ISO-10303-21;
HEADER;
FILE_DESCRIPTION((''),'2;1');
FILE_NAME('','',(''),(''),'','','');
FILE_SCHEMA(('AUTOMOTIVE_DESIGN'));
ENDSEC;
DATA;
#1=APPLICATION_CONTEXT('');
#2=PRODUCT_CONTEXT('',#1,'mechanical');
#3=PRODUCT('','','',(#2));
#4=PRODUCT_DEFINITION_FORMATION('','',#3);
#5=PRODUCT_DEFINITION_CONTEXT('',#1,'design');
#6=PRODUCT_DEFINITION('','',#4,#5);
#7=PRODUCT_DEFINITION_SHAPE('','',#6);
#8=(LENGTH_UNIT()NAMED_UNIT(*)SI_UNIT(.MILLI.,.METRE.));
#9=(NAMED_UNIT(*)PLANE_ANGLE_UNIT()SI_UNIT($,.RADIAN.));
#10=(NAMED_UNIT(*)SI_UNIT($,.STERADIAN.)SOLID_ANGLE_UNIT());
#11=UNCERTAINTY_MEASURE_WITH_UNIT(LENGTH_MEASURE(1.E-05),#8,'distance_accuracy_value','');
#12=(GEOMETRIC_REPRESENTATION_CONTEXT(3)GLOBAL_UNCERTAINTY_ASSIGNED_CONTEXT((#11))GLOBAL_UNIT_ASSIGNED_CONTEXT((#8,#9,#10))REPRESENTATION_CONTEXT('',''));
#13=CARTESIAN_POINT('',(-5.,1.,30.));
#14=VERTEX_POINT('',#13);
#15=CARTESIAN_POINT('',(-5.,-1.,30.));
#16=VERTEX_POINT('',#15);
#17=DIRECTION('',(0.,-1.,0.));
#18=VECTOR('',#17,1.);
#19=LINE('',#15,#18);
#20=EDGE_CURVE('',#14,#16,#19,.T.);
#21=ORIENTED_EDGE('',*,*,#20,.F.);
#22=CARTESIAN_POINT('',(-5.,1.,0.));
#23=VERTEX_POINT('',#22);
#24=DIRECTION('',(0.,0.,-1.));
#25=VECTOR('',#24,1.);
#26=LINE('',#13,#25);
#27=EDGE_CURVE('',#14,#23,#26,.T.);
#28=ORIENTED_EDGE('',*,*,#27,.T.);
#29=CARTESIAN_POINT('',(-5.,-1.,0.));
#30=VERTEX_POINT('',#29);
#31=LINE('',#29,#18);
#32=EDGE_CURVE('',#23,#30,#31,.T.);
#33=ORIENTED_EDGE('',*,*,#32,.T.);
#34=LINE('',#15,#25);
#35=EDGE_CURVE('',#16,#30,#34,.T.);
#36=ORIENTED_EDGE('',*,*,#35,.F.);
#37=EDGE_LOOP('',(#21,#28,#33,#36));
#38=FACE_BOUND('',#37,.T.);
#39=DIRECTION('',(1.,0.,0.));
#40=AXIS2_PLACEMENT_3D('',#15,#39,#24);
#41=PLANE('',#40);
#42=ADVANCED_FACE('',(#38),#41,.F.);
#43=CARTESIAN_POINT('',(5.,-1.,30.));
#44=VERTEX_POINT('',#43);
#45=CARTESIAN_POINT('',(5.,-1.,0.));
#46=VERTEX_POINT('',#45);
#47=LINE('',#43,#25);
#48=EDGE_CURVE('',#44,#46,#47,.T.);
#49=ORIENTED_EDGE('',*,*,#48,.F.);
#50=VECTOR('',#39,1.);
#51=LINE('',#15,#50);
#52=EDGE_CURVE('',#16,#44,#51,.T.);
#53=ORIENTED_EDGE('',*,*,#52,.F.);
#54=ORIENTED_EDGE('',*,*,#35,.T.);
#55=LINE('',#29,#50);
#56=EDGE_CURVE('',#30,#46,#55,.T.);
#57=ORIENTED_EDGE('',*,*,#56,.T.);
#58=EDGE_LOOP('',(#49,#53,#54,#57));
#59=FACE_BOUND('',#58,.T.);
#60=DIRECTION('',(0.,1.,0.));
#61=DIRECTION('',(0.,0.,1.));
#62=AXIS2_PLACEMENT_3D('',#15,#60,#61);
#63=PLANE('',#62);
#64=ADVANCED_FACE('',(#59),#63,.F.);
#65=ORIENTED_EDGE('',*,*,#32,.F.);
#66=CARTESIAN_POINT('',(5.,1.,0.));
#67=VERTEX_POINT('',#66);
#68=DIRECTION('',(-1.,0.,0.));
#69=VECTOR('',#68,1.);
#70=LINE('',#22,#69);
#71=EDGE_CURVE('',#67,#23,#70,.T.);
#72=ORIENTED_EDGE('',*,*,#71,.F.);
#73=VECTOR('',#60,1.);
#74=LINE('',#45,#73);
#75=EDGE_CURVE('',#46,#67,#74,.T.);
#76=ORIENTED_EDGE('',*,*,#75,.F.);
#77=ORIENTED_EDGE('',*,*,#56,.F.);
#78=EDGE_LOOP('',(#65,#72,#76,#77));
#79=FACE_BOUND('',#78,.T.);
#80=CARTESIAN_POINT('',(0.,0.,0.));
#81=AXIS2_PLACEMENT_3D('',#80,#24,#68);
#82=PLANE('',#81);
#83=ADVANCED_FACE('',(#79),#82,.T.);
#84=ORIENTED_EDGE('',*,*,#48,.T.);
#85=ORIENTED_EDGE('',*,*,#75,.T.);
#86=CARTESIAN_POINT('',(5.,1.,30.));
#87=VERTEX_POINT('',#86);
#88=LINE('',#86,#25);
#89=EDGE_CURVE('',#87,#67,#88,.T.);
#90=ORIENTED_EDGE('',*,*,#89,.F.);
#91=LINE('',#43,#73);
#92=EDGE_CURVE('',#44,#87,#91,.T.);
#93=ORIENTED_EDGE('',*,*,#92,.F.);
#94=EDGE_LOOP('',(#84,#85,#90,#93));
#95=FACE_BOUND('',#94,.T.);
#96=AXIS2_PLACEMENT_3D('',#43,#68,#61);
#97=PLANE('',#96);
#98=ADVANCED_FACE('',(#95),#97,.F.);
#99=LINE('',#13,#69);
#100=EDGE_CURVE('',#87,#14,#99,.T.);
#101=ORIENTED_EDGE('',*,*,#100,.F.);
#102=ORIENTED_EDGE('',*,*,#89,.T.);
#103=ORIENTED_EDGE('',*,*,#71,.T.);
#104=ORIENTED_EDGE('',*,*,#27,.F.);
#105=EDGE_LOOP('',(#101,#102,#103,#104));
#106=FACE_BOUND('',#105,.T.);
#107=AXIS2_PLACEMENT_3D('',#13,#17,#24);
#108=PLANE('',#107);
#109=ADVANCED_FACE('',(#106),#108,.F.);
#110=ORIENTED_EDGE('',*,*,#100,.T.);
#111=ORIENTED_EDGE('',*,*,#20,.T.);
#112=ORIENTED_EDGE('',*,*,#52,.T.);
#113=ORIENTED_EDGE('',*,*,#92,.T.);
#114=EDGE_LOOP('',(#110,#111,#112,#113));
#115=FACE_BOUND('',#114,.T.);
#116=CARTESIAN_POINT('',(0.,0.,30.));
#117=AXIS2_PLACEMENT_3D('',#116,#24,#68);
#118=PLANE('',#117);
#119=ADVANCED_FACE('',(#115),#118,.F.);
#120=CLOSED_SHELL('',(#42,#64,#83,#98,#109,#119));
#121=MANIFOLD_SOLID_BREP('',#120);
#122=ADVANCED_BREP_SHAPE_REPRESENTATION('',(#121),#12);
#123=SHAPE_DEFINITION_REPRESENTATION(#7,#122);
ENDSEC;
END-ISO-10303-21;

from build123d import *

# Parameters (mm, degrees)
SKETCH1_W           = 10
SKETCH1_H           = 2
BOSS_EXTRUDE1_DEPTH = 30


with BuildPart() as part:
    # Sketch1 → Boss-Extrude1 (new body)
    with BuildSketch(Plane.XY):
        Rectangle(SKETCH1_W, SKETCH1_H)
    extrude(amount=BOSS_EXTRUDE1_DEPTH)


solid = part.part
